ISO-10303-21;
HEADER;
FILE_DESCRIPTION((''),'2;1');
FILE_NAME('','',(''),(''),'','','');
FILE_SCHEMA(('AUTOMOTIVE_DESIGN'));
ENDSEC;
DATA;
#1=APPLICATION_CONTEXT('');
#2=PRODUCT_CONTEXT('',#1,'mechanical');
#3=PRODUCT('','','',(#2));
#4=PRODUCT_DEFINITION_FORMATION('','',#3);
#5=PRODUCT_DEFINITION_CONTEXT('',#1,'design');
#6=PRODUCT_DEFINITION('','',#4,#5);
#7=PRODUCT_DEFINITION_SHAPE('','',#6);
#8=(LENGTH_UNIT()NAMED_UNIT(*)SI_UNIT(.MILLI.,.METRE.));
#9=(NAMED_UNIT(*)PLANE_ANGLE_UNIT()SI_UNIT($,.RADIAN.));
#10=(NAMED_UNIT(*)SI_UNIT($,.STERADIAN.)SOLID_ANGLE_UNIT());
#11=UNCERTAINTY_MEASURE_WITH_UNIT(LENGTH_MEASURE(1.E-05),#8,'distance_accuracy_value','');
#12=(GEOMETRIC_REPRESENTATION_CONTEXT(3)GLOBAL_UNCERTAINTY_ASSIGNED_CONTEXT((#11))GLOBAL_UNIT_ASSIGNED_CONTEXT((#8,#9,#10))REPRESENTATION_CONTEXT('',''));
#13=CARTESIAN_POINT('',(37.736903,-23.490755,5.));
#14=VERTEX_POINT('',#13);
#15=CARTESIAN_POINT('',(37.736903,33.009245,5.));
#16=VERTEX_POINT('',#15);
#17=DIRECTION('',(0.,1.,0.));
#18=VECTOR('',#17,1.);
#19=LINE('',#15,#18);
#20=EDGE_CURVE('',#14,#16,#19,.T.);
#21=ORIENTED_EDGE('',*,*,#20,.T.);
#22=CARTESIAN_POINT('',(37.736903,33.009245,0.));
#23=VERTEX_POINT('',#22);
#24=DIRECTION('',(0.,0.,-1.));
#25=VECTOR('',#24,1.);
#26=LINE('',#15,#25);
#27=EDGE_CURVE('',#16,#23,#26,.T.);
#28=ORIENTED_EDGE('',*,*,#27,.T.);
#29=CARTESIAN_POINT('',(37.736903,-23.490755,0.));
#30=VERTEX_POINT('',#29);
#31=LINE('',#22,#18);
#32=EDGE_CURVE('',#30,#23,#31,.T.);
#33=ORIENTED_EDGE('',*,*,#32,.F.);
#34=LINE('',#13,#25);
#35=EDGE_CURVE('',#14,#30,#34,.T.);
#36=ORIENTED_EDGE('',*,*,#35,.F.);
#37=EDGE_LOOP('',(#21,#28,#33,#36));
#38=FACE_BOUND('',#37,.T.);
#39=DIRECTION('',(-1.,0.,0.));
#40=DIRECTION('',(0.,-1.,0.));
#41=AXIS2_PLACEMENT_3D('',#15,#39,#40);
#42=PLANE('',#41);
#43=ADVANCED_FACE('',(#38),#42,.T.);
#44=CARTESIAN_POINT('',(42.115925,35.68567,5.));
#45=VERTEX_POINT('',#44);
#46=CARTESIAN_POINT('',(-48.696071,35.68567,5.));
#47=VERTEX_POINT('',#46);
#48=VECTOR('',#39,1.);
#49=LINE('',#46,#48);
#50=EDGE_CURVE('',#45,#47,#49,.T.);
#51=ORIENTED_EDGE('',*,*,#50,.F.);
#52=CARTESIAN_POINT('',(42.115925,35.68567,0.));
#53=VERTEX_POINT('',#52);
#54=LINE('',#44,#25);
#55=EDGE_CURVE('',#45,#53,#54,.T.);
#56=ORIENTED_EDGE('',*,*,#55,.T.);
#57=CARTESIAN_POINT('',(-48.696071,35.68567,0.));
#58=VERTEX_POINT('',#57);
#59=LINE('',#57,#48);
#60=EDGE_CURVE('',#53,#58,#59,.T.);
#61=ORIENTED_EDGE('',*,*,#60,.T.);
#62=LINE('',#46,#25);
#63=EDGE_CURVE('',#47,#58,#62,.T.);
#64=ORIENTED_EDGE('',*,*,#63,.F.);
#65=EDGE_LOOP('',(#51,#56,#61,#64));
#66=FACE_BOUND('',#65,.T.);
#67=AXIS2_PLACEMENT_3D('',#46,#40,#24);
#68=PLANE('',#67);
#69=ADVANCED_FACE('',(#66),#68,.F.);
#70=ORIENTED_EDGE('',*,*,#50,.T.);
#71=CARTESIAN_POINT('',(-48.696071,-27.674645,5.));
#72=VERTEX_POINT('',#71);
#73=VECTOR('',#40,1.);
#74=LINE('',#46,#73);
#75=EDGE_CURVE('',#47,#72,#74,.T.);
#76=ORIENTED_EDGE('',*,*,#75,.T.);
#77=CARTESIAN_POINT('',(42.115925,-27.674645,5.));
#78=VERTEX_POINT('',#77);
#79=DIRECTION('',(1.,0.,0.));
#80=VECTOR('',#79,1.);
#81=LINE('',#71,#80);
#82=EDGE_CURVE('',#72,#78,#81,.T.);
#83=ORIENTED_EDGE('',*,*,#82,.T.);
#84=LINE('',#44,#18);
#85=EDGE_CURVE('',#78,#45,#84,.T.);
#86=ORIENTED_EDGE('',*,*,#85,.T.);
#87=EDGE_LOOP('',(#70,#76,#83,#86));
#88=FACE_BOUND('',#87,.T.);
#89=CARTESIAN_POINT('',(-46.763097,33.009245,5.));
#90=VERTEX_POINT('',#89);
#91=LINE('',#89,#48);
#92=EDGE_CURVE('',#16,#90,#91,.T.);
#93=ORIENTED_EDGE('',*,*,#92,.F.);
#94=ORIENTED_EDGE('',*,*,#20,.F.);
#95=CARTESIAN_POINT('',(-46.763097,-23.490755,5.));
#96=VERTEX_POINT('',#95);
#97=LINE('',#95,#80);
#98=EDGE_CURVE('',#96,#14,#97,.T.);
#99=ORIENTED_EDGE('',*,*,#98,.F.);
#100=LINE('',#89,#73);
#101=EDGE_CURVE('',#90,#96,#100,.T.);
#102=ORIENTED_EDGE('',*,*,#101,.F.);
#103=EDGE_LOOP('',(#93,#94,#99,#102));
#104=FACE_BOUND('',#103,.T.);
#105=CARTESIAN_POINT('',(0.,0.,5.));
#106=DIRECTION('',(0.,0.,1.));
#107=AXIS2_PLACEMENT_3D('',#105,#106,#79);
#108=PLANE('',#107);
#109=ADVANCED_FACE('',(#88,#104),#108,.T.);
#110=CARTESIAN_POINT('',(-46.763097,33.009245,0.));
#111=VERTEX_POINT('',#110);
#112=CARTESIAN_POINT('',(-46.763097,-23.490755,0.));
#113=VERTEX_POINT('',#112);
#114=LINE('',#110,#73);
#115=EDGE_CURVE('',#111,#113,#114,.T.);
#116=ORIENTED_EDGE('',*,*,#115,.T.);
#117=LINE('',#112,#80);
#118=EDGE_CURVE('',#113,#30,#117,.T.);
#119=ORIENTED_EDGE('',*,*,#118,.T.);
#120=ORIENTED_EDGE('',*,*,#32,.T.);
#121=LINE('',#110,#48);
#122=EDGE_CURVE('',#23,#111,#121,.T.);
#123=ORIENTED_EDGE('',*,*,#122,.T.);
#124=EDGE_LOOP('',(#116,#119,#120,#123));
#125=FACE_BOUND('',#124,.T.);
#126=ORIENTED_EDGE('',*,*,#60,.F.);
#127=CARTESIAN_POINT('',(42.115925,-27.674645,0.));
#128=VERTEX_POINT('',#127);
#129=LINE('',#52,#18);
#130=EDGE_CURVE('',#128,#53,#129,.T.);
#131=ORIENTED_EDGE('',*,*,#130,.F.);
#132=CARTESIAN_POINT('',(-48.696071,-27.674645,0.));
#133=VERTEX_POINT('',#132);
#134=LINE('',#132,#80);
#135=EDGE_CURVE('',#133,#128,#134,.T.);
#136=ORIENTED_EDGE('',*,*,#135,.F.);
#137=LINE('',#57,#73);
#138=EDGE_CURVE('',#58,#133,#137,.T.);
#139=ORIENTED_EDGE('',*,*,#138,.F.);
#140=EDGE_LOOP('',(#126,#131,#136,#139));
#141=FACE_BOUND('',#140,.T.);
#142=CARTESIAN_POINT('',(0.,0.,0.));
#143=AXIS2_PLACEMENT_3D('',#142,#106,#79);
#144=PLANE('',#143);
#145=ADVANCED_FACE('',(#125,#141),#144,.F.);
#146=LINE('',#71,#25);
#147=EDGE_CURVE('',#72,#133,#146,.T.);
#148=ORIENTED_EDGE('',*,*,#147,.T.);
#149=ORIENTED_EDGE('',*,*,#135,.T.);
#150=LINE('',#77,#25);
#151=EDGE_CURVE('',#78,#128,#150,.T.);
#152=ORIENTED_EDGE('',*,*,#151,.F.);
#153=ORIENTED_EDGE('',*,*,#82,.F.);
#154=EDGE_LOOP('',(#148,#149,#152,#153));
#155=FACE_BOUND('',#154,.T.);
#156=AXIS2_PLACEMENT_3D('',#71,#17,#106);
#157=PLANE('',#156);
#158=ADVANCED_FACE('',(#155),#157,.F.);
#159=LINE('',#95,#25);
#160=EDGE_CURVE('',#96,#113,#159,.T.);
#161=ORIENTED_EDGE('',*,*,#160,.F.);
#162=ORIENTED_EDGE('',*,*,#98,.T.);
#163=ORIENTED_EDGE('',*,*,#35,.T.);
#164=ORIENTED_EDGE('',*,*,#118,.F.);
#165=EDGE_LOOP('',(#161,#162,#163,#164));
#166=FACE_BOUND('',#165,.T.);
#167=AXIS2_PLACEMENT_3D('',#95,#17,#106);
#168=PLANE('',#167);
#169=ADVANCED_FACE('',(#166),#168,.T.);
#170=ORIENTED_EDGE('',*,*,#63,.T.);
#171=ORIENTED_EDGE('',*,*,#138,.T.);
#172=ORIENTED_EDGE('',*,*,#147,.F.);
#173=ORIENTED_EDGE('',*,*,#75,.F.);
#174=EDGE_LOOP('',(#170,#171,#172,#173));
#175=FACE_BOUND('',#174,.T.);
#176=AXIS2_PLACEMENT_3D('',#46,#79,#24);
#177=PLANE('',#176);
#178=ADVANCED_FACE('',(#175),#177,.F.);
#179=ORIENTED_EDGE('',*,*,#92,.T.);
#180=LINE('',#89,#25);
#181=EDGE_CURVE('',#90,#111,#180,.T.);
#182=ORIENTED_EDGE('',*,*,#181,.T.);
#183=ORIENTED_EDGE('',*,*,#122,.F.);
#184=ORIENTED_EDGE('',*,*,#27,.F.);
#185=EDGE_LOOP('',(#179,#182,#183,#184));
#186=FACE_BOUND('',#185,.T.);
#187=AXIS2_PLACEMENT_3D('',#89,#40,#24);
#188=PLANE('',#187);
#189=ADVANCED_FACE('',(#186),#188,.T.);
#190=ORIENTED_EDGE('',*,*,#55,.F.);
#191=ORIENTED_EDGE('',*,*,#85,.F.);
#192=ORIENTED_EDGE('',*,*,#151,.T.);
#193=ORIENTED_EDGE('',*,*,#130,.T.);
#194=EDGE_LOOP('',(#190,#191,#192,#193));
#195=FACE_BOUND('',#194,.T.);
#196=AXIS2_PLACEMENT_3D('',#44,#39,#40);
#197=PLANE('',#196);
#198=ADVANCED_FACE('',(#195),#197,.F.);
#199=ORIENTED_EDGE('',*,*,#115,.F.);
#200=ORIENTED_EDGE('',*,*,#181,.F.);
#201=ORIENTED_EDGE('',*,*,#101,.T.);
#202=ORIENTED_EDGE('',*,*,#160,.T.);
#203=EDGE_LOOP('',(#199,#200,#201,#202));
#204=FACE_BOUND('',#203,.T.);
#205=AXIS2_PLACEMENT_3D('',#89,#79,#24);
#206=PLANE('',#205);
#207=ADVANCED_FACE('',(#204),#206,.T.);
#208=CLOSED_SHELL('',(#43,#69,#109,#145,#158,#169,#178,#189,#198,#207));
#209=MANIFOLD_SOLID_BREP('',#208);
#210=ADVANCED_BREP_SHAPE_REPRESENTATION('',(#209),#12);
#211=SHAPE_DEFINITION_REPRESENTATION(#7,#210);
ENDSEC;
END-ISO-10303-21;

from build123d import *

# Parameters (mm, degrees)
SKETCH2_W           = 90.811996209
SKETCH2_H           = 63.360315375
SKETCH2_W_2         = 84.5
SKETCH2_H_2         = 56.5
BOSS_EXTRUDE1_DEPTH = 5


with BuildPart() as part:
    # Sketch2 → Boss-Extrude1 (new body)
    with BuildSketch(Plane.XY):
        with Locations((-3.290072774, 4.005512575)):
            Rectangle(SKETCH2_W, SKETCH2_H)
        with Locations((-4.513097072, 4.759244992)):
            Rectangle(SKETCH2_W_2, SKETCH2_H_2, mode=Mode.SUBTRACT)
    extrude(amount=BOSS_EXTRUDE1_DEPTH)


solid = part.part
